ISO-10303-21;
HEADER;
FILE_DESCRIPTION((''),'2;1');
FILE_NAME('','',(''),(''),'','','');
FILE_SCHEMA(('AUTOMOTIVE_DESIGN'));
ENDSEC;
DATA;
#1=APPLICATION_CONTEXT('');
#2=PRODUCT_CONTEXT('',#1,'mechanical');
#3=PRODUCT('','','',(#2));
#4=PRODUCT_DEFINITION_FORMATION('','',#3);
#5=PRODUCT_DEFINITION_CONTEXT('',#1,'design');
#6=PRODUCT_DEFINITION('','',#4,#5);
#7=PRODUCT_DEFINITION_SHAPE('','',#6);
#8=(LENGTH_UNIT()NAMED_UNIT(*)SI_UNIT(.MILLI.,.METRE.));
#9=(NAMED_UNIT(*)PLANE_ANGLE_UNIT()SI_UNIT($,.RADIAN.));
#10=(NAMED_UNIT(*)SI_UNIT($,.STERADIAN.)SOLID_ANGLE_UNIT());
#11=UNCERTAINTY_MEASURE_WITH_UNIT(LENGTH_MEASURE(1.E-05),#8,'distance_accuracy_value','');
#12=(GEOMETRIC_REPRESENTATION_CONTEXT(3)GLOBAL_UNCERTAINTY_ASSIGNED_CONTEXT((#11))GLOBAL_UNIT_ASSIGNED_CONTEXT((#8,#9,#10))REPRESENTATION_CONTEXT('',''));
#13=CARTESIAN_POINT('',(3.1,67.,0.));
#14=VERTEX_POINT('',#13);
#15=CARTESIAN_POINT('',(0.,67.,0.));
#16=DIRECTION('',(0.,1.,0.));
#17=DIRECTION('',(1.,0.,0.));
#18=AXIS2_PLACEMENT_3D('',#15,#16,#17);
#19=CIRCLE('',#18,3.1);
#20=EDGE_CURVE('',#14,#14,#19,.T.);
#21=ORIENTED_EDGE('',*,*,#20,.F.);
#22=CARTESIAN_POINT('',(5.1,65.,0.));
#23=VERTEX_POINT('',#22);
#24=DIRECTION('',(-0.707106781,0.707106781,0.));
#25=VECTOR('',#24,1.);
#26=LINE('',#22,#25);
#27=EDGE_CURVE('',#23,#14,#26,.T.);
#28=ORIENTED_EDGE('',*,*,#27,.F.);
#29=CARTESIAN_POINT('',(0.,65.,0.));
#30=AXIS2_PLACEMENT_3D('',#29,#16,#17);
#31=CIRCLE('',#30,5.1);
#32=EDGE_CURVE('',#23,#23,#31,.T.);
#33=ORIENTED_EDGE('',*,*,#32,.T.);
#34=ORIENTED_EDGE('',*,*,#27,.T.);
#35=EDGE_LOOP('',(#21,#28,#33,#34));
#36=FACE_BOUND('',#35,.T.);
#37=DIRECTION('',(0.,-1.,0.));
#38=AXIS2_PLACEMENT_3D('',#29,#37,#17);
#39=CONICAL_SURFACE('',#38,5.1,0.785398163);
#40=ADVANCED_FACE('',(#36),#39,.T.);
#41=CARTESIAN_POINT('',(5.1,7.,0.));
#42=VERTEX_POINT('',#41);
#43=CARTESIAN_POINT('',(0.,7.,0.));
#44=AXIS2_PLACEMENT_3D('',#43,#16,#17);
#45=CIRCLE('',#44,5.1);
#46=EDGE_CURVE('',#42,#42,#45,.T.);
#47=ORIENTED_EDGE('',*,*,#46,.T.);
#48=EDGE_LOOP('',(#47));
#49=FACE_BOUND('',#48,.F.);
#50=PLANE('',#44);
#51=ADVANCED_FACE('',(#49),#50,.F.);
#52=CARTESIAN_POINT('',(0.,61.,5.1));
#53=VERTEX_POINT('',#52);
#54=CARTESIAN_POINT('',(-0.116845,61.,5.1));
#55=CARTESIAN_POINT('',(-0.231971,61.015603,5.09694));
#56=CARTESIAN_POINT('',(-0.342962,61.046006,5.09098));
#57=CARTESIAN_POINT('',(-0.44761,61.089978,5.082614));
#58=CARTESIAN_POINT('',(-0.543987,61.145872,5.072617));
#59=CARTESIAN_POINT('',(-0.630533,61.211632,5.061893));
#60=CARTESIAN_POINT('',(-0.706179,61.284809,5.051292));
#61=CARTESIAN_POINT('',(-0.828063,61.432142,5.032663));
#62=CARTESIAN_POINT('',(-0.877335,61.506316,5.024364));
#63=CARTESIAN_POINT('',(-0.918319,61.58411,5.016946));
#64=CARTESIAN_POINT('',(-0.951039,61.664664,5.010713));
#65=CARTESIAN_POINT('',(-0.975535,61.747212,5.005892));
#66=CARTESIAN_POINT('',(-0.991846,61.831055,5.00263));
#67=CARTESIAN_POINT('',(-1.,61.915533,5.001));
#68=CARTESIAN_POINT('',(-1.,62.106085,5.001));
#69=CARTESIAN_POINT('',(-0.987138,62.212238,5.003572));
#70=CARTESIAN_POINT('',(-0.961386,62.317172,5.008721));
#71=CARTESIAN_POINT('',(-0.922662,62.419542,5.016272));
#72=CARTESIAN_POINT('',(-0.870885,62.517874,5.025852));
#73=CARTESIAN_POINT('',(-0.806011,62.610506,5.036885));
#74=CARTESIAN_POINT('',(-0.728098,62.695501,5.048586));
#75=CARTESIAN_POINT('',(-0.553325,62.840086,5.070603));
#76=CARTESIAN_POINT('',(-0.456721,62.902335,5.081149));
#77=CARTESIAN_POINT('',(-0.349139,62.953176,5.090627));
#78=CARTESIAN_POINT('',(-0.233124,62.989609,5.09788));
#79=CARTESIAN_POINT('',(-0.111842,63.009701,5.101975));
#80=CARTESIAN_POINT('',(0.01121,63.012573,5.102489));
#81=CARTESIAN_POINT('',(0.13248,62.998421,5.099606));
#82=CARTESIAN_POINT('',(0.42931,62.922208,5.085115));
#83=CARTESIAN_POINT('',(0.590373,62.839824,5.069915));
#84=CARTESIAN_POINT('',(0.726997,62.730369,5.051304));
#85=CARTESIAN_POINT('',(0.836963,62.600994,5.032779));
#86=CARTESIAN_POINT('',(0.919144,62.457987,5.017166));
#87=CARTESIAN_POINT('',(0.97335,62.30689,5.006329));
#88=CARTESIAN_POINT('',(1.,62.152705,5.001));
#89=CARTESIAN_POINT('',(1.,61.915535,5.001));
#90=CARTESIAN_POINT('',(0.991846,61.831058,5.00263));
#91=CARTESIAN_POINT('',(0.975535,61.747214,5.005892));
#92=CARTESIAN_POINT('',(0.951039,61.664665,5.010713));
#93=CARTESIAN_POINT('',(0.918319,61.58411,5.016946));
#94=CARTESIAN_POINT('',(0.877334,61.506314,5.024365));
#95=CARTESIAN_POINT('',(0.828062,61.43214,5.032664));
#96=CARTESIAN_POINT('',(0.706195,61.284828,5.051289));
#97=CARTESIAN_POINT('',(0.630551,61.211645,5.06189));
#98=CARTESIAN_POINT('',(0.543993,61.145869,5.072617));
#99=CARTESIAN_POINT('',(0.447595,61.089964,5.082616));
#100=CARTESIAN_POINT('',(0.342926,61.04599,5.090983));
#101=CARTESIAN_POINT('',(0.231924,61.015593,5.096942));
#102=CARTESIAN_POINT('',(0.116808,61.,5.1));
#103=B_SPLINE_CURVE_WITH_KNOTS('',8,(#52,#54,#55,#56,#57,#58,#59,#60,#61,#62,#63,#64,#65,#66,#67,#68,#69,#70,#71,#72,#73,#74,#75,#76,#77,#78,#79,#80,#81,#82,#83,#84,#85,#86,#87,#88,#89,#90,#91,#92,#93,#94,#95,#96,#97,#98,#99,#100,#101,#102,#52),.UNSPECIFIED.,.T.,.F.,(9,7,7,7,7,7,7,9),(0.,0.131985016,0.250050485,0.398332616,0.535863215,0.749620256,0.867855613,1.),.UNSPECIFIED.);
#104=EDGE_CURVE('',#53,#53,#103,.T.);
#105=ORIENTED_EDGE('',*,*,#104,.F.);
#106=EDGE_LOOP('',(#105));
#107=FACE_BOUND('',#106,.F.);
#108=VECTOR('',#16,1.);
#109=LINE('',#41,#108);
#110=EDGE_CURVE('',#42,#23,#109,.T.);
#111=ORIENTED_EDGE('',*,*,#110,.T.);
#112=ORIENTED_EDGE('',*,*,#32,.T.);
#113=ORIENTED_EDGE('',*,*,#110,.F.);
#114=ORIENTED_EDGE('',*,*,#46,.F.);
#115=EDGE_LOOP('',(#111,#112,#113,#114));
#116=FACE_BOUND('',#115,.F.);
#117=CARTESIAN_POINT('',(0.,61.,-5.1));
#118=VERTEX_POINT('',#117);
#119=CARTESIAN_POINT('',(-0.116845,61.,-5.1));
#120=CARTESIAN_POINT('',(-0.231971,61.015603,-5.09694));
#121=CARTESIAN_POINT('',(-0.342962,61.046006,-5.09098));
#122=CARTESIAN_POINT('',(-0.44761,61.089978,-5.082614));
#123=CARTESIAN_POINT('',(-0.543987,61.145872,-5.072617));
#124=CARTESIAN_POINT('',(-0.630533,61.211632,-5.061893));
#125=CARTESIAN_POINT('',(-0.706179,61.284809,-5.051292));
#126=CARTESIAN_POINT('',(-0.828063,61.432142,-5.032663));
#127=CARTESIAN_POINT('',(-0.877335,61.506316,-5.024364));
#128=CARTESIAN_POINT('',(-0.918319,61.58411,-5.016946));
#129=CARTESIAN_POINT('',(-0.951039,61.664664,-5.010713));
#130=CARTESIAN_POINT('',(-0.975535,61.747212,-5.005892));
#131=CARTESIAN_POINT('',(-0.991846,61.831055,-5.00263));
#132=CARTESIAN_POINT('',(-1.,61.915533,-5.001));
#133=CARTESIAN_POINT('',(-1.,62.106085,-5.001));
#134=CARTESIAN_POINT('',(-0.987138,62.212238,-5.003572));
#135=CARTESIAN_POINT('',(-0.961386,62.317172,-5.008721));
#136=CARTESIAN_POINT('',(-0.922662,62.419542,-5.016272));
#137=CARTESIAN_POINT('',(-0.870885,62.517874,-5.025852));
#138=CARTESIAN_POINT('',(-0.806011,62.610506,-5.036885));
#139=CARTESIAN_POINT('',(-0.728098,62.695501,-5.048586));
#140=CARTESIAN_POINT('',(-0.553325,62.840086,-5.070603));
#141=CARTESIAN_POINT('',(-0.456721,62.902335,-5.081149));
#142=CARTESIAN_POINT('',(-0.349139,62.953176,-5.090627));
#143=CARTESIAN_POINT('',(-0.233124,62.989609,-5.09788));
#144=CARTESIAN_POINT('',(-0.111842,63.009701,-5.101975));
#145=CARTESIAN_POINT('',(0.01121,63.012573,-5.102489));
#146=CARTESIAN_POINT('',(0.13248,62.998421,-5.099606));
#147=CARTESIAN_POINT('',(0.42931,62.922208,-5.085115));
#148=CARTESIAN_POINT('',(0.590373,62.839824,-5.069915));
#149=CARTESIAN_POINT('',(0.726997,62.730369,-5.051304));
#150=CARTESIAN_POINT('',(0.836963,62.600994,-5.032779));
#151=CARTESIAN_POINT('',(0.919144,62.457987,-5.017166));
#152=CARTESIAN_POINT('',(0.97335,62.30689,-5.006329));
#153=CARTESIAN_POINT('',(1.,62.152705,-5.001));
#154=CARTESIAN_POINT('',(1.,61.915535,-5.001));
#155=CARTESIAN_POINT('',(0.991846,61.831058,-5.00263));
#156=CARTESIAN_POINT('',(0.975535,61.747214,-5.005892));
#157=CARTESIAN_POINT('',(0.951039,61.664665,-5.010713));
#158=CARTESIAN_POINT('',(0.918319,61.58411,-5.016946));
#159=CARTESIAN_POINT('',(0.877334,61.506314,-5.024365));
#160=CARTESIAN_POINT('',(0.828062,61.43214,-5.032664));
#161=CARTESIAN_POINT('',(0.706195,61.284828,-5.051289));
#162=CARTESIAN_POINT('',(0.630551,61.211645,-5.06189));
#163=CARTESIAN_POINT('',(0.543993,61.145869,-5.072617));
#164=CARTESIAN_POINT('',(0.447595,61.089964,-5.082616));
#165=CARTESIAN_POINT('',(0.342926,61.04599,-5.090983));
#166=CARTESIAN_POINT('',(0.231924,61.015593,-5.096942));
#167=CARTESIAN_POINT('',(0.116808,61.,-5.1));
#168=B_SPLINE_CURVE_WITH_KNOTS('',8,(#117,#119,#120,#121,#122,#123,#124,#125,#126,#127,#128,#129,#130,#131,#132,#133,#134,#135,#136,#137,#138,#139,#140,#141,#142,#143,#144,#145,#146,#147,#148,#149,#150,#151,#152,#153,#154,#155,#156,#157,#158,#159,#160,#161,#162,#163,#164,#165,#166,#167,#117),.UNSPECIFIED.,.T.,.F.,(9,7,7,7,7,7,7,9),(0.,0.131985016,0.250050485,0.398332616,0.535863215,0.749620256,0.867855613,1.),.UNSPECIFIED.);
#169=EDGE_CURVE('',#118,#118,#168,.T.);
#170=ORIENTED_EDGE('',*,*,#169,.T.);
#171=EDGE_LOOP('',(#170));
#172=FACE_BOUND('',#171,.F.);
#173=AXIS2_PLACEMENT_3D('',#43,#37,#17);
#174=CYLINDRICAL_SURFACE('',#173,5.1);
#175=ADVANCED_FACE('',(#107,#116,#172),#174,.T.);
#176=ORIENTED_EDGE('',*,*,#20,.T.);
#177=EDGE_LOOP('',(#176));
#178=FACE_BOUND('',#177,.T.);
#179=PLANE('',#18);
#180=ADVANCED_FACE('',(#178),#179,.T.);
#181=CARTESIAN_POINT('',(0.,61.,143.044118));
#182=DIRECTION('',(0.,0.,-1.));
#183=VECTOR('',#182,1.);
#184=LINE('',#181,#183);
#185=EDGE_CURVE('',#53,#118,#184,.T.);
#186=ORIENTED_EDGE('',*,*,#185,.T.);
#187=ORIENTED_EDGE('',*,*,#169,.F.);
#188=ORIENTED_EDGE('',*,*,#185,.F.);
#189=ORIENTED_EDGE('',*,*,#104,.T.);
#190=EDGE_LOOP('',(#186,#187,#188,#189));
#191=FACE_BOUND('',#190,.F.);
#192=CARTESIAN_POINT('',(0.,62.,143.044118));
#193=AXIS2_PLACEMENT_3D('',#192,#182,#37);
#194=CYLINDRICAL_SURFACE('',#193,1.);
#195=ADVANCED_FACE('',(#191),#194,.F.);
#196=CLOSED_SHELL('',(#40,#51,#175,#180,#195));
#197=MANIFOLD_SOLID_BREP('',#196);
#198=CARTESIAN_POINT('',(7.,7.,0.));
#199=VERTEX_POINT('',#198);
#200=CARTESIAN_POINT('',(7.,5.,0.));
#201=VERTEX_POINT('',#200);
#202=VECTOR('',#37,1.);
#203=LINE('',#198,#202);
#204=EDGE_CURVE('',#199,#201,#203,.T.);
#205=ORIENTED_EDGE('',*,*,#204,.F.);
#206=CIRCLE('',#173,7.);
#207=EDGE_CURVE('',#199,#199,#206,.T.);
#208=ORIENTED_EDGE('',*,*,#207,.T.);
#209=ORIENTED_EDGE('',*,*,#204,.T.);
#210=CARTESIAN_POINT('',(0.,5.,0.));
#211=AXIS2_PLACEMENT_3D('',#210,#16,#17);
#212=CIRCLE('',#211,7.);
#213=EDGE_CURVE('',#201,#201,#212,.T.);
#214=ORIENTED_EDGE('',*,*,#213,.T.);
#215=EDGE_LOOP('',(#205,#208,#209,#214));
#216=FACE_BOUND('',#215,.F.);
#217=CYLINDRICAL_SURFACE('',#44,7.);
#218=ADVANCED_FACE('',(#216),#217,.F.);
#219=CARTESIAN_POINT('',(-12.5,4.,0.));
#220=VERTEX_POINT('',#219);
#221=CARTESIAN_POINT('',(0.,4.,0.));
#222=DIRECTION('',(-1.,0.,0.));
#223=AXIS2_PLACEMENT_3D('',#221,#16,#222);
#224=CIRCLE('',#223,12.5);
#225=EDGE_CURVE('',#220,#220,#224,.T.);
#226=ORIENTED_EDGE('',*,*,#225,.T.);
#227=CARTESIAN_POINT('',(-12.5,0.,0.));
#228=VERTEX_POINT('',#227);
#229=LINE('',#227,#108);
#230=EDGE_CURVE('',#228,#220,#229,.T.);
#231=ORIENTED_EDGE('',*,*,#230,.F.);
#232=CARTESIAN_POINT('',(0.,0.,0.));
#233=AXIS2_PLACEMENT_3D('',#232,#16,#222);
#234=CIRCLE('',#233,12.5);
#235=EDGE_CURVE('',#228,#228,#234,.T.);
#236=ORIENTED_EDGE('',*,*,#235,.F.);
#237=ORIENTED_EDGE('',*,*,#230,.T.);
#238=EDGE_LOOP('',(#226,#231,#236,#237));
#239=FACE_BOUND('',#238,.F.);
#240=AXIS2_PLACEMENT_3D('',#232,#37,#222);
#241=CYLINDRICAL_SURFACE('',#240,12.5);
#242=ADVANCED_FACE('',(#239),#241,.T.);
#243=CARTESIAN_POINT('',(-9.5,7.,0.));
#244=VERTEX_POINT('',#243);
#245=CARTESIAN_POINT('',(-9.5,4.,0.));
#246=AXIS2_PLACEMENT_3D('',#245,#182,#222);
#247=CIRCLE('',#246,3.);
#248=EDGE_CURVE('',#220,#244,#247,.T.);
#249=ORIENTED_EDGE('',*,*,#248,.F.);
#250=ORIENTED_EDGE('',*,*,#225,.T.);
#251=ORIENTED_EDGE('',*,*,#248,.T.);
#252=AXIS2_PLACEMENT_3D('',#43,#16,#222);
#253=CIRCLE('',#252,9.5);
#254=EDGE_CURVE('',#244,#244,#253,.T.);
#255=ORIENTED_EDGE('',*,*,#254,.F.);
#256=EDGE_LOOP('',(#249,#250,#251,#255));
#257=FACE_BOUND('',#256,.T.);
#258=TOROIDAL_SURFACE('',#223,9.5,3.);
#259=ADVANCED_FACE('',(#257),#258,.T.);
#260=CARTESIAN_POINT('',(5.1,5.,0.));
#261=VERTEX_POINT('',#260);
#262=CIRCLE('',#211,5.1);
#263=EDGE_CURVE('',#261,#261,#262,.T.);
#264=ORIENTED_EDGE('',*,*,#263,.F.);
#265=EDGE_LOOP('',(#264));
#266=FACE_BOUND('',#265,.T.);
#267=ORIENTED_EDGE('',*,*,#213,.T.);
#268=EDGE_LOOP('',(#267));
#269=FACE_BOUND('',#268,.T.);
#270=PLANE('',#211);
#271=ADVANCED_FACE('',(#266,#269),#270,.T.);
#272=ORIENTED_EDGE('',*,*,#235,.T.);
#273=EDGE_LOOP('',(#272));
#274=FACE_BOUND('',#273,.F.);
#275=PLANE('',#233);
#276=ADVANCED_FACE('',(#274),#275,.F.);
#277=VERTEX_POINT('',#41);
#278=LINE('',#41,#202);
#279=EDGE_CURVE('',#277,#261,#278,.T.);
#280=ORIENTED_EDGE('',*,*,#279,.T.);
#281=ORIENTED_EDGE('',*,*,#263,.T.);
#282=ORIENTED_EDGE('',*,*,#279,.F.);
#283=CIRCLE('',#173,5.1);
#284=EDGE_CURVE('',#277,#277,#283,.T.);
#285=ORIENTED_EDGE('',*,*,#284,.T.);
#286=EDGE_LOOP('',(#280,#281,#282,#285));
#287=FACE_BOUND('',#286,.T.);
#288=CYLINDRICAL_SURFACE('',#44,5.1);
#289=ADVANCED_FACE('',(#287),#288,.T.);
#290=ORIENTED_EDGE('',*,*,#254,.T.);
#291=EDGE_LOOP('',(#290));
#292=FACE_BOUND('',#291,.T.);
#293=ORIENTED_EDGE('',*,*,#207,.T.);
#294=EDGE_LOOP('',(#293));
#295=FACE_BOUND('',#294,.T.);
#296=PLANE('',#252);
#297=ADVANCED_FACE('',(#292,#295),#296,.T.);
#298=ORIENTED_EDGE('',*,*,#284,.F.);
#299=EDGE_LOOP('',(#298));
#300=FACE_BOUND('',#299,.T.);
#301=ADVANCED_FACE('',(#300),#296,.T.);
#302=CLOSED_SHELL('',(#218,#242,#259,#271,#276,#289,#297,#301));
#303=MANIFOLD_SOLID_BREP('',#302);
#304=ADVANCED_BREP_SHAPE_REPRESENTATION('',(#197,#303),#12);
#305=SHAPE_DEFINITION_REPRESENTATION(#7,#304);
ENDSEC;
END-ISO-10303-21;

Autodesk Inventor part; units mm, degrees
ref_plane "YZ Plane" through (0, 0, 0) normal (1, 0, 0) x (0, 1, 0)
ref_plane "XZ Plane" through (0, 0, 0) normal (0, 1, 0) x (-1, 0, 0)
sketch "Skizze1" plane through (0, 0, 0) normal (0, 1, 0) x (-1, 0, 0)
  circle A0 centre (0, 0) radius 12.5
  dimension "d0" = 25
extrude "Extrusion1" add sketch "Skizze1" along normal blind 7
fillet "Rundung1" radius 3 1 edges at (12.5, 7, 0)
sketch "Skizze2" plane through (0, 7, 0) normal (0, 1, 0) x (1, 0, 0)
  circle A0 centre (0, 0) radius 5.1
  dimension "d4" = 10.2
extrude "Extrusion2" add sketch "Skizze2" along normal blind 60 separate body
ref_plane "Arbeitsebene1" through (0, 0, 0) normal (0, 0, 1) x (1, 0, 0)
sketch "Skizze3" plane through (0, 0, 0) normal (0, 0, 1) x (1, 0, 0)
  line L0 (5.1, 67) -> (-5.1, 67) projected
  line L1 (0, -11) -> (0, 66) projected
  point P0 (0, 0)
  point P1 (0, 62)
  point P2 (0, 62)
  dimension "d8" = 5
hole "Bohrung1" at (0, 62, 0) direction (0, 0, -1) diameter 2 end through all both bodies 2
chamfer "Fase1" distance 2 angle 45 1 edges at (-5.1, 67, 0)
sketch "Skizze4" plane through (0, 7, 0) normal (0, 1, 0) x (1, 0, 0)
  circle A0 centre (0, 0) radius 5.1 projected
  circle A1 centre (0, 0) radius 4.875
  line L0 (17.5, 0) -> (-17.5, 0) projected
  circle A2 centre (0, 0) radius 7
  dimension "d19" = 9.75
  dimension "d20" = 14
extrude "Extrusion3" cut sketch "Skizze4" against normal blind 2 contours L0 A2 A0 | A0 L0 A2 bodies 1
properties part number "Fuß"
